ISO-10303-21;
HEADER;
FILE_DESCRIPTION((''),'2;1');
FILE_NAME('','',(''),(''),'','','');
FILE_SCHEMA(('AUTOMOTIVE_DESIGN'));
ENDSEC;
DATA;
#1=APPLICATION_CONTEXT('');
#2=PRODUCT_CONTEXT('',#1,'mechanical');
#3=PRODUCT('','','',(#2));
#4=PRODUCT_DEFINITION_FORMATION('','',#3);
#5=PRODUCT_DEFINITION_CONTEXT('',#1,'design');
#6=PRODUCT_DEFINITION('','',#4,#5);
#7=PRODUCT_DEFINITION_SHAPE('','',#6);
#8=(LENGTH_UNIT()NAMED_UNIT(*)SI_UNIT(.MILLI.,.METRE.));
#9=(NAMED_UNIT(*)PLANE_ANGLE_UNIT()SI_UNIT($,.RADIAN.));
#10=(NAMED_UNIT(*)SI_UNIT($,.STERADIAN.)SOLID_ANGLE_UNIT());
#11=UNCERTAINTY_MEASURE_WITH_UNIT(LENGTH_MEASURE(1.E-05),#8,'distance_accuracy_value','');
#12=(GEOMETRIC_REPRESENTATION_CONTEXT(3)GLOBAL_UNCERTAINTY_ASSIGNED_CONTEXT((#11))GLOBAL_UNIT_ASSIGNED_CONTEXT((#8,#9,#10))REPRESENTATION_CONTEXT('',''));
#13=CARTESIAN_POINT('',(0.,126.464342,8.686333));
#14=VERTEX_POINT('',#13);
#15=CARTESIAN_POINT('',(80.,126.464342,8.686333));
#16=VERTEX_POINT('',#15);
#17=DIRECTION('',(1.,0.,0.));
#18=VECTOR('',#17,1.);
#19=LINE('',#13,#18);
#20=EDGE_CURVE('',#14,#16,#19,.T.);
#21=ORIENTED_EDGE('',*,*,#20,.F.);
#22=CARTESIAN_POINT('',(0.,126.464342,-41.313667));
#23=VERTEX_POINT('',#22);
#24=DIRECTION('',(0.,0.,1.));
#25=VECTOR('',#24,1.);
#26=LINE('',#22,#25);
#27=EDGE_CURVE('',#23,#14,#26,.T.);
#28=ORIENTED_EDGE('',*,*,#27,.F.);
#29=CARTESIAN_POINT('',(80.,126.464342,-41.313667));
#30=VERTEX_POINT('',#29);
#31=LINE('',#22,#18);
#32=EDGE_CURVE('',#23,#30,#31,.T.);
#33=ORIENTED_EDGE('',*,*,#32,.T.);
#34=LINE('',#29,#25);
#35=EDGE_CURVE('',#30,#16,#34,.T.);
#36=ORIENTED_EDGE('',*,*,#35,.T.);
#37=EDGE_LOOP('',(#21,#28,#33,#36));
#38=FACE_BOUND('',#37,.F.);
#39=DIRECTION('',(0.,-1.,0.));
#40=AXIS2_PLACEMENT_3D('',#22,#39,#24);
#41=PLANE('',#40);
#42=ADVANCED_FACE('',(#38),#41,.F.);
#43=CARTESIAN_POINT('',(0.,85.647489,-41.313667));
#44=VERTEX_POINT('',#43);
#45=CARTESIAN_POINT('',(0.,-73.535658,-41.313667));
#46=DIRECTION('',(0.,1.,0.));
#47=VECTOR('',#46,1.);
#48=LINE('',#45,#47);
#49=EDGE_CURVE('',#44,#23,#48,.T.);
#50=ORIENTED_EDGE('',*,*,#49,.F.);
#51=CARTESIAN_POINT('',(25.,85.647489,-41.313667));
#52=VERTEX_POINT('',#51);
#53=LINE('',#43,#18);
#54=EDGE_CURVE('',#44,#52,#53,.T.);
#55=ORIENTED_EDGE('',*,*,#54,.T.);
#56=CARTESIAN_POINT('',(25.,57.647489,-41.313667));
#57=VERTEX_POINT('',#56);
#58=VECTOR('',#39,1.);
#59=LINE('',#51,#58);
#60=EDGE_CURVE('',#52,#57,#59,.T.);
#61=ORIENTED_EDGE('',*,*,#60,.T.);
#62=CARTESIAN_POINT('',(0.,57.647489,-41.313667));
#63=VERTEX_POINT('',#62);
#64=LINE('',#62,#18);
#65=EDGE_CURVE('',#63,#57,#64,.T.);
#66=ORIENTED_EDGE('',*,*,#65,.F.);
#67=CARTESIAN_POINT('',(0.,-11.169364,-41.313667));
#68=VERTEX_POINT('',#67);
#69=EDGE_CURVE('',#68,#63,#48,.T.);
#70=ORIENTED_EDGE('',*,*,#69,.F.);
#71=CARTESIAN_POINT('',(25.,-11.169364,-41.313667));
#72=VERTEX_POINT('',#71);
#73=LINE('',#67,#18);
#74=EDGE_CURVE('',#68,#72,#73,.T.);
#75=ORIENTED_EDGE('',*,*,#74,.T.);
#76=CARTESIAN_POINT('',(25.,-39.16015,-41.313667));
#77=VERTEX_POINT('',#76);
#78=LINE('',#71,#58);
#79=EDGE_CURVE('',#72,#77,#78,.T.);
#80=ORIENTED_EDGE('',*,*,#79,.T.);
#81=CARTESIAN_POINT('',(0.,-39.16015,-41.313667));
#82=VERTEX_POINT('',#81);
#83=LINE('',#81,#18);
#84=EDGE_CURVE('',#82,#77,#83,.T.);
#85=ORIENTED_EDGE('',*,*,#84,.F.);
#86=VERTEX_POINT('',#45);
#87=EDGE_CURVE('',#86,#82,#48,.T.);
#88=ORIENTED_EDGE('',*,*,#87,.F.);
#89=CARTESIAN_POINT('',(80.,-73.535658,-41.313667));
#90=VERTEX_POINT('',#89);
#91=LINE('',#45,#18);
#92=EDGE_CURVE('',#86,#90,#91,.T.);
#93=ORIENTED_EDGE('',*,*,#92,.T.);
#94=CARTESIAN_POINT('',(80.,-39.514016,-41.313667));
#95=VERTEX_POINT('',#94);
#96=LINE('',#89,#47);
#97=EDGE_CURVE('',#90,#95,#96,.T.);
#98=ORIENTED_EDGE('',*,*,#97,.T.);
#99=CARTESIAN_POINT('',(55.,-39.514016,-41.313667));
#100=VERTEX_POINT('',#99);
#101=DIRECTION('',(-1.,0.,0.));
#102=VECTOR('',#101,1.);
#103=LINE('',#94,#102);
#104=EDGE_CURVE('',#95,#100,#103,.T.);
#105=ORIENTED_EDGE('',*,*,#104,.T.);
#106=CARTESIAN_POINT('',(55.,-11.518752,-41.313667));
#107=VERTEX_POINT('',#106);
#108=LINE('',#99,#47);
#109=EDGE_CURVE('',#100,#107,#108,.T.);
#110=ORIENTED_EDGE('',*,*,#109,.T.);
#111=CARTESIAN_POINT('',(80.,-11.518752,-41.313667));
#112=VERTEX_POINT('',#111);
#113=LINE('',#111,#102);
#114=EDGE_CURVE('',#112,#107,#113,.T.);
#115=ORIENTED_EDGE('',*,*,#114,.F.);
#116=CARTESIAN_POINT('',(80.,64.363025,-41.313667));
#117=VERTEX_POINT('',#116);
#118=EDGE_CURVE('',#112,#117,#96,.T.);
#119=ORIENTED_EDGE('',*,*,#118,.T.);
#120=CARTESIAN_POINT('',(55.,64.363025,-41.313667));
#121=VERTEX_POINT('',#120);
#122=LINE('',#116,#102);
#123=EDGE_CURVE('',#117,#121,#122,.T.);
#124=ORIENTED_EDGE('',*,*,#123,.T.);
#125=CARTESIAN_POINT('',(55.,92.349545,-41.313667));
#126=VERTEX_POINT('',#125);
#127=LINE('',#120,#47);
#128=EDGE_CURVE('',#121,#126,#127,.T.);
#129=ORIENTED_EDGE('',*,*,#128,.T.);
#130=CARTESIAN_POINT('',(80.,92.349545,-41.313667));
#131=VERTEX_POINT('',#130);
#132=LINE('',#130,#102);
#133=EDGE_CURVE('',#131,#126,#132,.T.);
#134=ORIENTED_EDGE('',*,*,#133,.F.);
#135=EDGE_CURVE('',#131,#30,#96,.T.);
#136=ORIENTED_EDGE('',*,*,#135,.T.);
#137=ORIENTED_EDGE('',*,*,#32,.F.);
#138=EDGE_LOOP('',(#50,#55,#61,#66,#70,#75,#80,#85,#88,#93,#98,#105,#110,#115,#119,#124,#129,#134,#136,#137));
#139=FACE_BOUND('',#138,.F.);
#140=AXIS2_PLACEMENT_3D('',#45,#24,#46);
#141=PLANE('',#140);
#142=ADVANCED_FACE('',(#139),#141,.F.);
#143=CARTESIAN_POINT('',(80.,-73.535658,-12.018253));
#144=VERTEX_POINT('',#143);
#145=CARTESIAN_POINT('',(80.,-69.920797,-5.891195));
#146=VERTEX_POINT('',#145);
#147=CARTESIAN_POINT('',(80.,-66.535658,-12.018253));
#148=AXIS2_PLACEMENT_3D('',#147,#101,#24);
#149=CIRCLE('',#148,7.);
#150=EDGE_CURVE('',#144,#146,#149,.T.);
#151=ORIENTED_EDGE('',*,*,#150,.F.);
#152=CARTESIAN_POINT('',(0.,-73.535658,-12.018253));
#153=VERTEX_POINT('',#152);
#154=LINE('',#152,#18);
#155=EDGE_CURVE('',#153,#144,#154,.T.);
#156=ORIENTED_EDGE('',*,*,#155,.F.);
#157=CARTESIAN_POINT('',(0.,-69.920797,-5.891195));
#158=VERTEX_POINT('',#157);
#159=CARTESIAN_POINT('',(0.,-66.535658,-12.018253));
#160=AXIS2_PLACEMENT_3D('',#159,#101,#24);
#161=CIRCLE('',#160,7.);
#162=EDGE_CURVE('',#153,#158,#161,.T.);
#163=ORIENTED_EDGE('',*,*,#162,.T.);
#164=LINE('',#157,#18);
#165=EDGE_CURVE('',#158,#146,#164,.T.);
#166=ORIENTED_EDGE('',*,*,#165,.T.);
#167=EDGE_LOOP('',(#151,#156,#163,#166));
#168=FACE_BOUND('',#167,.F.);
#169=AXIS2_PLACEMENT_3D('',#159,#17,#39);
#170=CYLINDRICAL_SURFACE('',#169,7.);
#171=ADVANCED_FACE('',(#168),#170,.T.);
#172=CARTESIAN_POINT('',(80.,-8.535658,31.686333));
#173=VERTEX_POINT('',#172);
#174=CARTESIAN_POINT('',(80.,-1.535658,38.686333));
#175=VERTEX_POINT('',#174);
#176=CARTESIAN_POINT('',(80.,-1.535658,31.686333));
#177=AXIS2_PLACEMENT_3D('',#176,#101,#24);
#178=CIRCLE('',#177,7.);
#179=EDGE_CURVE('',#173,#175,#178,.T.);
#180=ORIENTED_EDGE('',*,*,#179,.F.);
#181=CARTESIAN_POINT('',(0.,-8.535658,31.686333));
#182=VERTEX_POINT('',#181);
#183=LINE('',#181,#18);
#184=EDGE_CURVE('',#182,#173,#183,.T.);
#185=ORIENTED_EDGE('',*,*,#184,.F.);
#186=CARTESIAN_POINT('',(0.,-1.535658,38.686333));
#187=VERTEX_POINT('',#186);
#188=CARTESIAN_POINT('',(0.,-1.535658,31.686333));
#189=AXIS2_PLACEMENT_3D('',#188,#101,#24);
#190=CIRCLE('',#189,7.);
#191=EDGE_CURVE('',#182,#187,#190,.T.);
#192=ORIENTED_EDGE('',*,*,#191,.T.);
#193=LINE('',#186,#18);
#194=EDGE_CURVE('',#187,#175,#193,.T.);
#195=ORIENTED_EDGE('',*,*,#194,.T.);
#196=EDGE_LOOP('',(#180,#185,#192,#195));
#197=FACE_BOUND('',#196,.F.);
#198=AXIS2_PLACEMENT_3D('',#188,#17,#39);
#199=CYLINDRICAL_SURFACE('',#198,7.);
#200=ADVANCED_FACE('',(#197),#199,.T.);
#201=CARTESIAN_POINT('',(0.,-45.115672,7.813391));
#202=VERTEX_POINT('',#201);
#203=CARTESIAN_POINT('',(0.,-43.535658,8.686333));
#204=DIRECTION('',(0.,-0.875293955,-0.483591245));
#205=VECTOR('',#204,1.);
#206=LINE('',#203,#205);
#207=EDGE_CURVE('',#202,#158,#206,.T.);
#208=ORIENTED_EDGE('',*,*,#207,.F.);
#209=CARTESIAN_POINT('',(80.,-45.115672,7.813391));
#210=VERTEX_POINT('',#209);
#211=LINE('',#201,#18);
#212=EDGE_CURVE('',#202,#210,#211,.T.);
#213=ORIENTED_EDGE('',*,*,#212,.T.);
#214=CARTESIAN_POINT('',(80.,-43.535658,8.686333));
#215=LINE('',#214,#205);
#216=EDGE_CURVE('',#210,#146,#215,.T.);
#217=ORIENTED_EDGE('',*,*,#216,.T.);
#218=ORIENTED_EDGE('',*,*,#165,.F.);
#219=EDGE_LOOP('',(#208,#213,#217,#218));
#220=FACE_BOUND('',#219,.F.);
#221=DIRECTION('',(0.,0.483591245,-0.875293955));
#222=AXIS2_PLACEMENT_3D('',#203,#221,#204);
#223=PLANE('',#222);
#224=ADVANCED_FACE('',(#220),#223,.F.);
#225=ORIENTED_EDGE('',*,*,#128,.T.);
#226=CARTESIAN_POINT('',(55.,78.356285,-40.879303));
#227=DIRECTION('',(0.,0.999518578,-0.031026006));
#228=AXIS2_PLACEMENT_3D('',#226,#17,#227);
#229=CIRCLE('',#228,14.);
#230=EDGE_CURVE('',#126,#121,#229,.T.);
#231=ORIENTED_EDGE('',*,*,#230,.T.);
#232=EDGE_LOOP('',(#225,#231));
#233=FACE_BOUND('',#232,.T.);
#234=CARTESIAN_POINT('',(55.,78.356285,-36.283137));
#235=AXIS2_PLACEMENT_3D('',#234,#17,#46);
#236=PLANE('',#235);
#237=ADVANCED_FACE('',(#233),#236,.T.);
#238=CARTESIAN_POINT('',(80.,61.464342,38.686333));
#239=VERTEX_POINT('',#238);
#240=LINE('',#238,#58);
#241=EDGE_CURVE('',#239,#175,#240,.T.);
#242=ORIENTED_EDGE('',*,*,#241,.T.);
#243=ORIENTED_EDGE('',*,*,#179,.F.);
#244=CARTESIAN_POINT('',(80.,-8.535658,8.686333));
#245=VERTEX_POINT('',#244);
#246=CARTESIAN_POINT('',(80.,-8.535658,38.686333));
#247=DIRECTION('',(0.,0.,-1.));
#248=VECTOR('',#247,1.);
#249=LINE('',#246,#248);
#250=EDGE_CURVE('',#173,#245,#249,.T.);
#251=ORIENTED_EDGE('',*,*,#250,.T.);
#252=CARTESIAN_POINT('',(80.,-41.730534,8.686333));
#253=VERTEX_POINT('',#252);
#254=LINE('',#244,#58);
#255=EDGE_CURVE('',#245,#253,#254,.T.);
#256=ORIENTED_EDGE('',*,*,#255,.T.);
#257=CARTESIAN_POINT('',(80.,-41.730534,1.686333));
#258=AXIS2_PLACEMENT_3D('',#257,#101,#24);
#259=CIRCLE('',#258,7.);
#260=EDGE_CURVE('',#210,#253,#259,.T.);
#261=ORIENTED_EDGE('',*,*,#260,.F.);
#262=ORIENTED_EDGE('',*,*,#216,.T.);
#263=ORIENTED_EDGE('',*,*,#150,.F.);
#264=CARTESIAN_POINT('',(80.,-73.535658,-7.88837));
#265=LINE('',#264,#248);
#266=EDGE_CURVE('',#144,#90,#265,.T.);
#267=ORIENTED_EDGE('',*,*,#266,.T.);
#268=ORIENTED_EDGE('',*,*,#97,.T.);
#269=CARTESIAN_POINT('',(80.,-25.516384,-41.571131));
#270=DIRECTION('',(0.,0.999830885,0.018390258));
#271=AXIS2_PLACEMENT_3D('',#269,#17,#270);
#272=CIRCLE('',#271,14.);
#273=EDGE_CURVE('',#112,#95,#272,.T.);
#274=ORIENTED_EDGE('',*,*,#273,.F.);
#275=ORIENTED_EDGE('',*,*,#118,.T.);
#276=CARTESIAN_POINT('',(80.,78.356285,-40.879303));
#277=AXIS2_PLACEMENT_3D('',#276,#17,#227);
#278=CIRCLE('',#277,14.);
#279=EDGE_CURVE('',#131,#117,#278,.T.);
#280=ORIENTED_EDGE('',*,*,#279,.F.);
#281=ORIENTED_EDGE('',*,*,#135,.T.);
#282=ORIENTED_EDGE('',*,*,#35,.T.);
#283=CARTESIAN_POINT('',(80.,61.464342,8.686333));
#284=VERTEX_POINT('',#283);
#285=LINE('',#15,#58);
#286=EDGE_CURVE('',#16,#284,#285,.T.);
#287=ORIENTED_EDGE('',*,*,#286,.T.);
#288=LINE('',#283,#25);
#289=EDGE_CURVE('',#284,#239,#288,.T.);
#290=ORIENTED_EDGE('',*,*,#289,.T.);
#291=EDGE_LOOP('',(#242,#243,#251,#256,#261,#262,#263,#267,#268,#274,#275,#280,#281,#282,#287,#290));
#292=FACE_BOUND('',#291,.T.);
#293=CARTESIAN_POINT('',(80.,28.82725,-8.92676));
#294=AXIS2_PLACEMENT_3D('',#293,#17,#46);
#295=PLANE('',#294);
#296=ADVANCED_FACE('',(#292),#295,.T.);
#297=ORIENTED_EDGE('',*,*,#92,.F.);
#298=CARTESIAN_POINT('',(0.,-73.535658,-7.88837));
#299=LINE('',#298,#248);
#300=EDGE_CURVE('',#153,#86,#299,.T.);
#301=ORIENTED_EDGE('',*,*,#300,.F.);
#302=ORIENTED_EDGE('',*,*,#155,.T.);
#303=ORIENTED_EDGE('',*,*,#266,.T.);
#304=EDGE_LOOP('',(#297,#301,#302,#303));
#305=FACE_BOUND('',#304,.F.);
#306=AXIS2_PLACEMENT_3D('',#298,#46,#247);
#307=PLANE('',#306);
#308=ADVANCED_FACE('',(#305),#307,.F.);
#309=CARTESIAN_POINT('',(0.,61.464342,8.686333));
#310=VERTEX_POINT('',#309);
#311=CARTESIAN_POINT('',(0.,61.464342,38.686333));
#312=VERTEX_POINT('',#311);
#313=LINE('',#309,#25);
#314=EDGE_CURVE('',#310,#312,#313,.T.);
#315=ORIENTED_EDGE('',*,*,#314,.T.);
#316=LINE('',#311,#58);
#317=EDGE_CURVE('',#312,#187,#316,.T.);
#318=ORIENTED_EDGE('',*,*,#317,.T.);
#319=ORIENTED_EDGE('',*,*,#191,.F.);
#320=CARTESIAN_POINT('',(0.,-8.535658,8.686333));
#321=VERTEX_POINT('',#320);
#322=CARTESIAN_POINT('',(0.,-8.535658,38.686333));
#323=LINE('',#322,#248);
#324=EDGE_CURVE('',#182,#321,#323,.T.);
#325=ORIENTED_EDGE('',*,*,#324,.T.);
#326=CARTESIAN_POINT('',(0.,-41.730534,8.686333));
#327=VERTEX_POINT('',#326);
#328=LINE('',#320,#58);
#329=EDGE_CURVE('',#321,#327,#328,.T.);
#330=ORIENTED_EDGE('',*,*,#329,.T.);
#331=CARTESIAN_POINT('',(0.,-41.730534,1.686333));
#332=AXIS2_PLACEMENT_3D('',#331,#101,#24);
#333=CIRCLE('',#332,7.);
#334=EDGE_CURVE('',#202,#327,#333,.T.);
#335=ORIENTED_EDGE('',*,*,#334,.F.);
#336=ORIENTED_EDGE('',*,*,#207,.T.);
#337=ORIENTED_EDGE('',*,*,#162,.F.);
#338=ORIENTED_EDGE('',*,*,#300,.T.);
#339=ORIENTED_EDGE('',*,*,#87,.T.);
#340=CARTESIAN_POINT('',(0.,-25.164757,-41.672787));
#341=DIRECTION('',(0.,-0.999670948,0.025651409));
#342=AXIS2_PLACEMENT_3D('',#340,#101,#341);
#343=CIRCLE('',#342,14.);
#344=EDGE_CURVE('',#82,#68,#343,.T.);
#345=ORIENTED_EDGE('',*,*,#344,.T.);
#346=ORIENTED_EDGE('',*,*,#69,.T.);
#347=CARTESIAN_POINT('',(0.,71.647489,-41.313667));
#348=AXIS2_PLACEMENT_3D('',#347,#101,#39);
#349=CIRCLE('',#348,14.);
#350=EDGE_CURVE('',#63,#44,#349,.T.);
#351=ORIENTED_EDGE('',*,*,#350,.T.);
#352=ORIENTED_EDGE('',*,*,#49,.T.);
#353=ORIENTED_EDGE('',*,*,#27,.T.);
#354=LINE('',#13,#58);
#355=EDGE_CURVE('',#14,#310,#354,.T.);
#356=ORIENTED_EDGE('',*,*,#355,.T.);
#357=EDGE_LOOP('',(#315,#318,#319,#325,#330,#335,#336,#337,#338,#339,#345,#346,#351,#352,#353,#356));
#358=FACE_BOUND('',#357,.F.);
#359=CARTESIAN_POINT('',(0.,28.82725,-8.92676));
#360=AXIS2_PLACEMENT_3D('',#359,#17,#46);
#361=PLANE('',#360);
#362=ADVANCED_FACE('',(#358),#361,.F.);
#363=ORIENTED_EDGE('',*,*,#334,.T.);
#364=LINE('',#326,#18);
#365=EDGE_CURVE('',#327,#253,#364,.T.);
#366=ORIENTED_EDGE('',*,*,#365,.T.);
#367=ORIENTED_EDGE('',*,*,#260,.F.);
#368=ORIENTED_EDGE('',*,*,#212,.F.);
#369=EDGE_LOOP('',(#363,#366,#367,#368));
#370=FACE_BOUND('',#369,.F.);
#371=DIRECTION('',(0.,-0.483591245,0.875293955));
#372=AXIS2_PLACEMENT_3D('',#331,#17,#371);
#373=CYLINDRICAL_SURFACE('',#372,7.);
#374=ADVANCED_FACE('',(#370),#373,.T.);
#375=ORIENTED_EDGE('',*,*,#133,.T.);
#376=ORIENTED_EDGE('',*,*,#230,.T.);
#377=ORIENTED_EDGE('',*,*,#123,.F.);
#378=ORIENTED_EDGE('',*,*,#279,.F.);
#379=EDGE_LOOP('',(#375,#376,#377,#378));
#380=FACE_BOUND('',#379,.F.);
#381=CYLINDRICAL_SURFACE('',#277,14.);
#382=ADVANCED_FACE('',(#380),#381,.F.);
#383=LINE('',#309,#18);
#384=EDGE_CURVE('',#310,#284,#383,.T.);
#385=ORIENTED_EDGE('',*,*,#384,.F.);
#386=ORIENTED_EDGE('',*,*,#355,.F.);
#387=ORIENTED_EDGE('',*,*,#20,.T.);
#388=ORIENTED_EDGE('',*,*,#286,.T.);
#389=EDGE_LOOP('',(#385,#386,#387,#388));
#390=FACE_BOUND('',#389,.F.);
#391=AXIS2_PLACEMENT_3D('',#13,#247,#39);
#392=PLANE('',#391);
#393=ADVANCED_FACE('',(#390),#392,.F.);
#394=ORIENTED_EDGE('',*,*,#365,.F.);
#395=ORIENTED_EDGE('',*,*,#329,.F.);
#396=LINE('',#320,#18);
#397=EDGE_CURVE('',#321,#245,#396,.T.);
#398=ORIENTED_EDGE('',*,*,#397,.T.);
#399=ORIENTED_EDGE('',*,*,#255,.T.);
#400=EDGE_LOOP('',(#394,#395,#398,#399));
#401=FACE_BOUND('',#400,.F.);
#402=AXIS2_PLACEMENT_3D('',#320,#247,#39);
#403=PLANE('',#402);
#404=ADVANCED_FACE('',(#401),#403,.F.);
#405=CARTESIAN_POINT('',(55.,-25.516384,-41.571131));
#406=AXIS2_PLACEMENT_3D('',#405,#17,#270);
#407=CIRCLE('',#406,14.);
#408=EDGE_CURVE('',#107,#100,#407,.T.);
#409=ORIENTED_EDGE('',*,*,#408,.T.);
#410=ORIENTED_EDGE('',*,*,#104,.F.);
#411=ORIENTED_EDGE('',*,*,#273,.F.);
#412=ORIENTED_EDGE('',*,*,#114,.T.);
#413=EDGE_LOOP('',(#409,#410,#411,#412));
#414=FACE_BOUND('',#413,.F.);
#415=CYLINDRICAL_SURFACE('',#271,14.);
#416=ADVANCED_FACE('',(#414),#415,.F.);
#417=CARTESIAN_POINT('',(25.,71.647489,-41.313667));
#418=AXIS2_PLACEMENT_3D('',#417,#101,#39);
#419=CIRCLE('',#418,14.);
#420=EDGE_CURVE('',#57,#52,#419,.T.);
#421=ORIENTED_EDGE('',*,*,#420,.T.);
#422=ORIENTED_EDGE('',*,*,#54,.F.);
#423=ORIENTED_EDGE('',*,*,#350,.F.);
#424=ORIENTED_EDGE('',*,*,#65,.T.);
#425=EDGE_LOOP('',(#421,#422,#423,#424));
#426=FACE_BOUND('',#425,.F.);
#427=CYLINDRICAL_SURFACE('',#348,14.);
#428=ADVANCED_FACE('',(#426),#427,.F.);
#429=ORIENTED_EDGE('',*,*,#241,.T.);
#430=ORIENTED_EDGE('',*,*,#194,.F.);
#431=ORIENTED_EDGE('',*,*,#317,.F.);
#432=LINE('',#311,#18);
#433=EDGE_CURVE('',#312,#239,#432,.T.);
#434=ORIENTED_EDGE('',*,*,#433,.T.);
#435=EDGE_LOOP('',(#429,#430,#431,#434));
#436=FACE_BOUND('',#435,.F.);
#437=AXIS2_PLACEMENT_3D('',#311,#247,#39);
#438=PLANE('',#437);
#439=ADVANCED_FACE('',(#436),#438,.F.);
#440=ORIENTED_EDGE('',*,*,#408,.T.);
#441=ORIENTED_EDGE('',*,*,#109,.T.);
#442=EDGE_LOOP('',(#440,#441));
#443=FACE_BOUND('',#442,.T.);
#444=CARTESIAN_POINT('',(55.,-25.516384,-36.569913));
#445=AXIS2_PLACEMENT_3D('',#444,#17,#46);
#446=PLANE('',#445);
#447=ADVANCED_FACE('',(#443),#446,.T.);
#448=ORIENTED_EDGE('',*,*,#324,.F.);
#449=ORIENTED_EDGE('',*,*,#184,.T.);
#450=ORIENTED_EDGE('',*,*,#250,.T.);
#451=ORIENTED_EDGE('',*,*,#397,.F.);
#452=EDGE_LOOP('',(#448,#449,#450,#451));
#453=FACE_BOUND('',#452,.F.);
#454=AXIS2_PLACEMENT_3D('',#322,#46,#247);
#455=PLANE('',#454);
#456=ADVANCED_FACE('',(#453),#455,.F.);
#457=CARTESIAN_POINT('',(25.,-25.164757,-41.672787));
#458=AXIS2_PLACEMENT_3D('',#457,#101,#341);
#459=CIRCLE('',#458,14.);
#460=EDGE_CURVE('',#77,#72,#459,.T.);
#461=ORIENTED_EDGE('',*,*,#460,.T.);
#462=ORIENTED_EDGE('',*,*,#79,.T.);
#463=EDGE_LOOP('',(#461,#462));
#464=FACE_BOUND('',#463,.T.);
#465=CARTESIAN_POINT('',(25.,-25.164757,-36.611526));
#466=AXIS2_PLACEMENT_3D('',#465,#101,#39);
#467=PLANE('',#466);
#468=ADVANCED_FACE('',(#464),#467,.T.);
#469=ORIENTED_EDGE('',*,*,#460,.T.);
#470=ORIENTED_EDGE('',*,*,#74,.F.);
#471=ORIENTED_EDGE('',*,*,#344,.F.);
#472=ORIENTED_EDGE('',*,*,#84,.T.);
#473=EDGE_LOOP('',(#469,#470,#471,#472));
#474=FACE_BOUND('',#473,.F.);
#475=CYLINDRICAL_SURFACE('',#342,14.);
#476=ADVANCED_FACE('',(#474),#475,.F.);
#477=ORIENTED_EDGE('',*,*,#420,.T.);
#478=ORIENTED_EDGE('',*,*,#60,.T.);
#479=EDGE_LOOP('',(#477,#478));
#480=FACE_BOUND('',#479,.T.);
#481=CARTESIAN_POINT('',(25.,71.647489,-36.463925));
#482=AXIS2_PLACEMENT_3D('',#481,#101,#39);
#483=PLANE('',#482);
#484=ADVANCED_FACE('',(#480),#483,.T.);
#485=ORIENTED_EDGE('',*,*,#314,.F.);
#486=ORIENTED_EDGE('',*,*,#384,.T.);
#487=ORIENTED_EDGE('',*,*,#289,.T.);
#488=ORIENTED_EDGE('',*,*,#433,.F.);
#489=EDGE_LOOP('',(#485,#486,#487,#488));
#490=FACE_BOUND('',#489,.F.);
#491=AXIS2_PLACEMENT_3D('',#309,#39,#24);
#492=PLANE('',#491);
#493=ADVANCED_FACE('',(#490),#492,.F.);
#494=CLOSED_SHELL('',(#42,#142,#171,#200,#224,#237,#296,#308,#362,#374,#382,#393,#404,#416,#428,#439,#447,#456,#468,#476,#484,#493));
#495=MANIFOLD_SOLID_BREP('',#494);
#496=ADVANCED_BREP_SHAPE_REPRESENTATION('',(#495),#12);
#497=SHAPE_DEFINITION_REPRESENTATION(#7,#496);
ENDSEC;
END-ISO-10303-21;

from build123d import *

# Parameters (mm, degrees)
F1_DEPTH = 80
F4_DEPTH = 25
F6_DEPTH = 25
F7_DEPTH = 25
F9_DEPTH = 25
F10_R    = 7


with BuildPart() as f1:
    # F0 (on Right) → F1 (new body)
    with BuildSketch(Plane.YZ):
        Polygon((-73.535658, -7.88837), (-73.535658, -41.313667), (126.464342, -41.313667), (126.464342, 8.686333), (61.464342, 8.686333), (61.464342, 38.686333), (-8.535658, 38.686333), (-8.535658, 8.686333), (-43.535658, 8.686333), align=None)
    extrude(amount=F1_DEPTH)

    # F3 (on face) → F4 (cut)
    with BuildSketch(Plane(origin=(0, 0, 0), x_dir=(0, -1, 0), z_dir=(-1, 0, 0))):
        with BuildLine():
            Line((11.169364, -41.313667), (39.16015, -41.313667))
            ThreePointArc((39.16015, -41.313667), (25.164757, -27.672787), (11.169364, -41.313667))
        make_face()
    extrude(amount=-F4_DEPTH, mode=Mode.SUBTRACT)

    # F5 (on face) → F6 (cut)
    with BuildSketch(Plane(origin=(0, 0, 0), x_dir=(0, -1, 0), z_dir=(-1, 0, 0))):
        with BuildLine():
            Line((-85.647489, -41.313667), (-57.647489, -41.313667))
            ThreePointArc((-57.647489, -41.313667), (-71.647489, -27.313667), (-85.647489, -41.313667))
        make_face()
    extrude(amount=-F6_DEPTH, mode=Mode.SUBTRACT)

    # F2 (on face) → F7 (cut)
    with BuildSketch(Plane.YZ.offset(80)):
        with BuildLine():
            Line((-39.514016, -41.313667), (-11.518752, -41.313667))
            ThreePointArc((-11.518752, -41.313667), (-25.516384, -27.571131), (-39.514016, -41.313667))
        make_face()
    extrude(amount=-F7_DEPTH, mode=Mode.SUBTRACT)

    # F8 (on face) → F9 (cut)
    with BuildSketch(Plane.YZ.offset(80)):
        with BuildLine():
            Line((64.363025, -41.313667), (92.349545, -41.313667))
            ThreePointArc((92.349545, -41.313667), (78.356285, -26.879303), (64.363025, -41.313667))
        make_face()
    extrude(amount=-F9_DEPTH, mode=Mode.SUBTRACT)

    # F10
    f10_edges = [f1.edges().sort_by_distance(p)[0] for p in [
        (40, -8.535658, 38.686333),
        (40, -73.535658, -7.88837),
        (40, -43.535658, 8.686333),
    ]]
    fillet(f10_edges, radius=F10_R)


solid = f1.part
